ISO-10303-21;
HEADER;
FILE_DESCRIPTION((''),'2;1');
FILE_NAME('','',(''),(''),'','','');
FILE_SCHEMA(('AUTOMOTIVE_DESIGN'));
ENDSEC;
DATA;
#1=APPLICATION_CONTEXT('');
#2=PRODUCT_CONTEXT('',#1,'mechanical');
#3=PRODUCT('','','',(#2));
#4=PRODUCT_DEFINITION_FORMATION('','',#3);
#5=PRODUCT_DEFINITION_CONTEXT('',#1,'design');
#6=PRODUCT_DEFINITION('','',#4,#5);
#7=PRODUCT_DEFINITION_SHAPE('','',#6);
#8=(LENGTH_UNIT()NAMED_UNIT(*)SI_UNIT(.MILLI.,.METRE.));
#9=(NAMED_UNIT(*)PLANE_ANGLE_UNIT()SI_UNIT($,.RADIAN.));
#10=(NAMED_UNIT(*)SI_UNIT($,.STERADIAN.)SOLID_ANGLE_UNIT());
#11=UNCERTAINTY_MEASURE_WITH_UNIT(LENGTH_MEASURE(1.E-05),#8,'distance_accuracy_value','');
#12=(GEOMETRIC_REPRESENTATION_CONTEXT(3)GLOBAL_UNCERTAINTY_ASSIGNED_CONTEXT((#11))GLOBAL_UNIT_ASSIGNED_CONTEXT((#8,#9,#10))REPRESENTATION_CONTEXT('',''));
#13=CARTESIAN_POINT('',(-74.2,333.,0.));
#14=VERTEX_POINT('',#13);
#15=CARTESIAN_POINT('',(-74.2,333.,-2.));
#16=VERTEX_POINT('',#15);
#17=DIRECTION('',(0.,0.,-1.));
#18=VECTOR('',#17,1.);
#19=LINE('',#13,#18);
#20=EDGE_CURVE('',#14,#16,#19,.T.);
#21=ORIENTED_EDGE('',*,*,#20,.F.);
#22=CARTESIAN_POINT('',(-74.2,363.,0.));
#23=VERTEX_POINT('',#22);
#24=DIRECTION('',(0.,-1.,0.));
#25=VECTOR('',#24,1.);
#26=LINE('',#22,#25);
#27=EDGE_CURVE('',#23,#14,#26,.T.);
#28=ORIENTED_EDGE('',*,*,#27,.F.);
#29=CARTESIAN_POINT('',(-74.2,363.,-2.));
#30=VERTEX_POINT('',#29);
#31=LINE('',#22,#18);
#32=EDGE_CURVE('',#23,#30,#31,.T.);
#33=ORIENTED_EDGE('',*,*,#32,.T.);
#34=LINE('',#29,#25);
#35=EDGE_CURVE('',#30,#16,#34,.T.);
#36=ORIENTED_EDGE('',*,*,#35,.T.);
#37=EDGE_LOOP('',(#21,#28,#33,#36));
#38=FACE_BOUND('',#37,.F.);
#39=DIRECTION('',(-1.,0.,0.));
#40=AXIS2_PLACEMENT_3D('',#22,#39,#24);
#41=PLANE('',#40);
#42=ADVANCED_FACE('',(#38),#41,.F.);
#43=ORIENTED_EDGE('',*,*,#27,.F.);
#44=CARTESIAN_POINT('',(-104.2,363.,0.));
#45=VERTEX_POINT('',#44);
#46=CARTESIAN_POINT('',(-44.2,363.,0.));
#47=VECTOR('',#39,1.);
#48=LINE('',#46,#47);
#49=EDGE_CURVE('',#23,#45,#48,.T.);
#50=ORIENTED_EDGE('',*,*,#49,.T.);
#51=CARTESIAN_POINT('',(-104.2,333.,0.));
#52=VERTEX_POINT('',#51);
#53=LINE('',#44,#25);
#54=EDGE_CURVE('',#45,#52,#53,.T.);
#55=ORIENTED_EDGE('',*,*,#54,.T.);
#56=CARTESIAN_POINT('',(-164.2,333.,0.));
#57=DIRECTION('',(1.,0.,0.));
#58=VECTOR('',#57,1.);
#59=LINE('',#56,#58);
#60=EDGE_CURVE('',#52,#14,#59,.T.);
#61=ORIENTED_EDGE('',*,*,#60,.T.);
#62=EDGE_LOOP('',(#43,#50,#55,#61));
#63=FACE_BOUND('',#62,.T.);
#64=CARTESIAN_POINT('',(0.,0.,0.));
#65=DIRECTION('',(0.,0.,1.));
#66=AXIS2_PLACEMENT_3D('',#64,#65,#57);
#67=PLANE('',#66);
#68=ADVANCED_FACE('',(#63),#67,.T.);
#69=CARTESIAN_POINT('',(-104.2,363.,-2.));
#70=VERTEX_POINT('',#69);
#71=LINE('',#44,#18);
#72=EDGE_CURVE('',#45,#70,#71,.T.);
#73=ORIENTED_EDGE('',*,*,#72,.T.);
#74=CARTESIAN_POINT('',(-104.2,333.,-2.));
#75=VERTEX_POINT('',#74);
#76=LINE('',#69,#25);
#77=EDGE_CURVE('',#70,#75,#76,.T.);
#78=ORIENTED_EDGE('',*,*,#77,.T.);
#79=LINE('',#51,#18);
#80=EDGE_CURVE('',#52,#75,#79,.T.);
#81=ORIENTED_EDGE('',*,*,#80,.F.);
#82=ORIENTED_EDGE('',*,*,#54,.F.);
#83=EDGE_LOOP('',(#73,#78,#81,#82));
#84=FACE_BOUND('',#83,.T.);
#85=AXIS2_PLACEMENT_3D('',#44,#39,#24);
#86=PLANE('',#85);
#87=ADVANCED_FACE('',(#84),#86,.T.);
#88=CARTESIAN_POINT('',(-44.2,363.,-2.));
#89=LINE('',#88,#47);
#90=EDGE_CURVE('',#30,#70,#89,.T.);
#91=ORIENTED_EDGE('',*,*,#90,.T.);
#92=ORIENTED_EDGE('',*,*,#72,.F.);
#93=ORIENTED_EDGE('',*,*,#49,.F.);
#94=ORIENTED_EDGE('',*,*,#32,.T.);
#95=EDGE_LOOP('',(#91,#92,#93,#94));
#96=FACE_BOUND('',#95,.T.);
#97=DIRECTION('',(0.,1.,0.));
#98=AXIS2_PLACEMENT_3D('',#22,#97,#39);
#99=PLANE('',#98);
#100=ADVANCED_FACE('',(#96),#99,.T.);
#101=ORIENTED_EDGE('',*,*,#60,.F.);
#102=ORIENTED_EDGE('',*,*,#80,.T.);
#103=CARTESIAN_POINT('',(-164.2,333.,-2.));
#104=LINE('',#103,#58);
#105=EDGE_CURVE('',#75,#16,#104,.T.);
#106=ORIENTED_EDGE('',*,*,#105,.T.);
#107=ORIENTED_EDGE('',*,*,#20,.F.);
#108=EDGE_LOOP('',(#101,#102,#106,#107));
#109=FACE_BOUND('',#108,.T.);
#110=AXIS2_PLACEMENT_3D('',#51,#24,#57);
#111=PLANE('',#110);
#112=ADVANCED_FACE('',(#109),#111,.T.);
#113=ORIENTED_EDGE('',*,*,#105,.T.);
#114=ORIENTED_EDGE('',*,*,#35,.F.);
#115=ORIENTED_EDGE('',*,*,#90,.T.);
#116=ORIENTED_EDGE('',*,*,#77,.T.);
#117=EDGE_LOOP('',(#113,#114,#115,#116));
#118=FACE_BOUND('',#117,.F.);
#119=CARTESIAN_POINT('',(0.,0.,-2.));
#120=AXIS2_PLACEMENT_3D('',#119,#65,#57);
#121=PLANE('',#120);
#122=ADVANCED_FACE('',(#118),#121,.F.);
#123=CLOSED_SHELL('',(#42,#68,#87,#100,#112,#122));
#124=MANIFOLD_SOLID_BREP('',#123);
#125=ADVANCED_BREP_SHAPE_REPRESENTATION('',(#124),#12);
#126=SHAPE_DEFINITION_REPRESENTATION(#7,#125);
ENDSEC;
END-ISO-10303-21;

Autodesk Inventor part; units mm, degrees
ref_plane "YZ Plane" through (0, 0, 0) normal (1, 0, 0) x (0, 1, 0)
ref_plane "XZ Plane" through (0, 0, 0) normal (0, 1, 0) x (-1, 0, 0)
ref_plane "XY Plane" through (0, 0, 0) normal (0, 0, 1) x (1, 0, 0)
ref_plane "Plano de trabajo1" through (0, 0, 0) normal (0, 0, 1) x (1, 0, 0)
sketch "Boceto1" plane through (0, 0, 0) normal (0, 0, 1) x (1, 0, 0)
  line L0 (-164.2, 333) -> (-44.2, 333)
  line L1 (-44.2, 333) -> (-44.2, 363)
  line L2 (-44.2, 363) -> (-164.2, 363)
  line L3 (-164.2, 363) -> (-164.2, 333)
  line L4 (-134.2, 363) -> (-134.2, 333)
  line L5 (-104.2, 363) -> (-104.2, 333)
  line L6 (-74.2, 363) -> (-74.2, 333)
  point P0 (0, 0)
  dimension "d0" = 120
  dimension "d1" = 30
  dimension "d2" = 30
  dimension "d3" = 30
extrude "Extrusión1" add sketch "Boceto1" against normal blind 2 contours L5 L2 L6 L0
equation "\"Radio_pliegue\" = Grosor"
equation "\"Anchura_desahogo_plegado\" = Grosor"
equation "\"Profundidad_desahogo_plegado\" = 0.5 * Grosor"
equation "\"Tamaño_destalonado\" = 4 * Grosor"
equation "\"Remanente_mínimo\" = 2 * Grosor"
equation "\"Radiodetransición\" = Radio_pliegue"
equation "\"Tamaño_de_radio_de_Jacobi\" = Radio_pliegue"
equation "\"TamañoSeparación\" = Grosor"
equation "\"Grosor\" = 0.5"
properties part number "0010"
